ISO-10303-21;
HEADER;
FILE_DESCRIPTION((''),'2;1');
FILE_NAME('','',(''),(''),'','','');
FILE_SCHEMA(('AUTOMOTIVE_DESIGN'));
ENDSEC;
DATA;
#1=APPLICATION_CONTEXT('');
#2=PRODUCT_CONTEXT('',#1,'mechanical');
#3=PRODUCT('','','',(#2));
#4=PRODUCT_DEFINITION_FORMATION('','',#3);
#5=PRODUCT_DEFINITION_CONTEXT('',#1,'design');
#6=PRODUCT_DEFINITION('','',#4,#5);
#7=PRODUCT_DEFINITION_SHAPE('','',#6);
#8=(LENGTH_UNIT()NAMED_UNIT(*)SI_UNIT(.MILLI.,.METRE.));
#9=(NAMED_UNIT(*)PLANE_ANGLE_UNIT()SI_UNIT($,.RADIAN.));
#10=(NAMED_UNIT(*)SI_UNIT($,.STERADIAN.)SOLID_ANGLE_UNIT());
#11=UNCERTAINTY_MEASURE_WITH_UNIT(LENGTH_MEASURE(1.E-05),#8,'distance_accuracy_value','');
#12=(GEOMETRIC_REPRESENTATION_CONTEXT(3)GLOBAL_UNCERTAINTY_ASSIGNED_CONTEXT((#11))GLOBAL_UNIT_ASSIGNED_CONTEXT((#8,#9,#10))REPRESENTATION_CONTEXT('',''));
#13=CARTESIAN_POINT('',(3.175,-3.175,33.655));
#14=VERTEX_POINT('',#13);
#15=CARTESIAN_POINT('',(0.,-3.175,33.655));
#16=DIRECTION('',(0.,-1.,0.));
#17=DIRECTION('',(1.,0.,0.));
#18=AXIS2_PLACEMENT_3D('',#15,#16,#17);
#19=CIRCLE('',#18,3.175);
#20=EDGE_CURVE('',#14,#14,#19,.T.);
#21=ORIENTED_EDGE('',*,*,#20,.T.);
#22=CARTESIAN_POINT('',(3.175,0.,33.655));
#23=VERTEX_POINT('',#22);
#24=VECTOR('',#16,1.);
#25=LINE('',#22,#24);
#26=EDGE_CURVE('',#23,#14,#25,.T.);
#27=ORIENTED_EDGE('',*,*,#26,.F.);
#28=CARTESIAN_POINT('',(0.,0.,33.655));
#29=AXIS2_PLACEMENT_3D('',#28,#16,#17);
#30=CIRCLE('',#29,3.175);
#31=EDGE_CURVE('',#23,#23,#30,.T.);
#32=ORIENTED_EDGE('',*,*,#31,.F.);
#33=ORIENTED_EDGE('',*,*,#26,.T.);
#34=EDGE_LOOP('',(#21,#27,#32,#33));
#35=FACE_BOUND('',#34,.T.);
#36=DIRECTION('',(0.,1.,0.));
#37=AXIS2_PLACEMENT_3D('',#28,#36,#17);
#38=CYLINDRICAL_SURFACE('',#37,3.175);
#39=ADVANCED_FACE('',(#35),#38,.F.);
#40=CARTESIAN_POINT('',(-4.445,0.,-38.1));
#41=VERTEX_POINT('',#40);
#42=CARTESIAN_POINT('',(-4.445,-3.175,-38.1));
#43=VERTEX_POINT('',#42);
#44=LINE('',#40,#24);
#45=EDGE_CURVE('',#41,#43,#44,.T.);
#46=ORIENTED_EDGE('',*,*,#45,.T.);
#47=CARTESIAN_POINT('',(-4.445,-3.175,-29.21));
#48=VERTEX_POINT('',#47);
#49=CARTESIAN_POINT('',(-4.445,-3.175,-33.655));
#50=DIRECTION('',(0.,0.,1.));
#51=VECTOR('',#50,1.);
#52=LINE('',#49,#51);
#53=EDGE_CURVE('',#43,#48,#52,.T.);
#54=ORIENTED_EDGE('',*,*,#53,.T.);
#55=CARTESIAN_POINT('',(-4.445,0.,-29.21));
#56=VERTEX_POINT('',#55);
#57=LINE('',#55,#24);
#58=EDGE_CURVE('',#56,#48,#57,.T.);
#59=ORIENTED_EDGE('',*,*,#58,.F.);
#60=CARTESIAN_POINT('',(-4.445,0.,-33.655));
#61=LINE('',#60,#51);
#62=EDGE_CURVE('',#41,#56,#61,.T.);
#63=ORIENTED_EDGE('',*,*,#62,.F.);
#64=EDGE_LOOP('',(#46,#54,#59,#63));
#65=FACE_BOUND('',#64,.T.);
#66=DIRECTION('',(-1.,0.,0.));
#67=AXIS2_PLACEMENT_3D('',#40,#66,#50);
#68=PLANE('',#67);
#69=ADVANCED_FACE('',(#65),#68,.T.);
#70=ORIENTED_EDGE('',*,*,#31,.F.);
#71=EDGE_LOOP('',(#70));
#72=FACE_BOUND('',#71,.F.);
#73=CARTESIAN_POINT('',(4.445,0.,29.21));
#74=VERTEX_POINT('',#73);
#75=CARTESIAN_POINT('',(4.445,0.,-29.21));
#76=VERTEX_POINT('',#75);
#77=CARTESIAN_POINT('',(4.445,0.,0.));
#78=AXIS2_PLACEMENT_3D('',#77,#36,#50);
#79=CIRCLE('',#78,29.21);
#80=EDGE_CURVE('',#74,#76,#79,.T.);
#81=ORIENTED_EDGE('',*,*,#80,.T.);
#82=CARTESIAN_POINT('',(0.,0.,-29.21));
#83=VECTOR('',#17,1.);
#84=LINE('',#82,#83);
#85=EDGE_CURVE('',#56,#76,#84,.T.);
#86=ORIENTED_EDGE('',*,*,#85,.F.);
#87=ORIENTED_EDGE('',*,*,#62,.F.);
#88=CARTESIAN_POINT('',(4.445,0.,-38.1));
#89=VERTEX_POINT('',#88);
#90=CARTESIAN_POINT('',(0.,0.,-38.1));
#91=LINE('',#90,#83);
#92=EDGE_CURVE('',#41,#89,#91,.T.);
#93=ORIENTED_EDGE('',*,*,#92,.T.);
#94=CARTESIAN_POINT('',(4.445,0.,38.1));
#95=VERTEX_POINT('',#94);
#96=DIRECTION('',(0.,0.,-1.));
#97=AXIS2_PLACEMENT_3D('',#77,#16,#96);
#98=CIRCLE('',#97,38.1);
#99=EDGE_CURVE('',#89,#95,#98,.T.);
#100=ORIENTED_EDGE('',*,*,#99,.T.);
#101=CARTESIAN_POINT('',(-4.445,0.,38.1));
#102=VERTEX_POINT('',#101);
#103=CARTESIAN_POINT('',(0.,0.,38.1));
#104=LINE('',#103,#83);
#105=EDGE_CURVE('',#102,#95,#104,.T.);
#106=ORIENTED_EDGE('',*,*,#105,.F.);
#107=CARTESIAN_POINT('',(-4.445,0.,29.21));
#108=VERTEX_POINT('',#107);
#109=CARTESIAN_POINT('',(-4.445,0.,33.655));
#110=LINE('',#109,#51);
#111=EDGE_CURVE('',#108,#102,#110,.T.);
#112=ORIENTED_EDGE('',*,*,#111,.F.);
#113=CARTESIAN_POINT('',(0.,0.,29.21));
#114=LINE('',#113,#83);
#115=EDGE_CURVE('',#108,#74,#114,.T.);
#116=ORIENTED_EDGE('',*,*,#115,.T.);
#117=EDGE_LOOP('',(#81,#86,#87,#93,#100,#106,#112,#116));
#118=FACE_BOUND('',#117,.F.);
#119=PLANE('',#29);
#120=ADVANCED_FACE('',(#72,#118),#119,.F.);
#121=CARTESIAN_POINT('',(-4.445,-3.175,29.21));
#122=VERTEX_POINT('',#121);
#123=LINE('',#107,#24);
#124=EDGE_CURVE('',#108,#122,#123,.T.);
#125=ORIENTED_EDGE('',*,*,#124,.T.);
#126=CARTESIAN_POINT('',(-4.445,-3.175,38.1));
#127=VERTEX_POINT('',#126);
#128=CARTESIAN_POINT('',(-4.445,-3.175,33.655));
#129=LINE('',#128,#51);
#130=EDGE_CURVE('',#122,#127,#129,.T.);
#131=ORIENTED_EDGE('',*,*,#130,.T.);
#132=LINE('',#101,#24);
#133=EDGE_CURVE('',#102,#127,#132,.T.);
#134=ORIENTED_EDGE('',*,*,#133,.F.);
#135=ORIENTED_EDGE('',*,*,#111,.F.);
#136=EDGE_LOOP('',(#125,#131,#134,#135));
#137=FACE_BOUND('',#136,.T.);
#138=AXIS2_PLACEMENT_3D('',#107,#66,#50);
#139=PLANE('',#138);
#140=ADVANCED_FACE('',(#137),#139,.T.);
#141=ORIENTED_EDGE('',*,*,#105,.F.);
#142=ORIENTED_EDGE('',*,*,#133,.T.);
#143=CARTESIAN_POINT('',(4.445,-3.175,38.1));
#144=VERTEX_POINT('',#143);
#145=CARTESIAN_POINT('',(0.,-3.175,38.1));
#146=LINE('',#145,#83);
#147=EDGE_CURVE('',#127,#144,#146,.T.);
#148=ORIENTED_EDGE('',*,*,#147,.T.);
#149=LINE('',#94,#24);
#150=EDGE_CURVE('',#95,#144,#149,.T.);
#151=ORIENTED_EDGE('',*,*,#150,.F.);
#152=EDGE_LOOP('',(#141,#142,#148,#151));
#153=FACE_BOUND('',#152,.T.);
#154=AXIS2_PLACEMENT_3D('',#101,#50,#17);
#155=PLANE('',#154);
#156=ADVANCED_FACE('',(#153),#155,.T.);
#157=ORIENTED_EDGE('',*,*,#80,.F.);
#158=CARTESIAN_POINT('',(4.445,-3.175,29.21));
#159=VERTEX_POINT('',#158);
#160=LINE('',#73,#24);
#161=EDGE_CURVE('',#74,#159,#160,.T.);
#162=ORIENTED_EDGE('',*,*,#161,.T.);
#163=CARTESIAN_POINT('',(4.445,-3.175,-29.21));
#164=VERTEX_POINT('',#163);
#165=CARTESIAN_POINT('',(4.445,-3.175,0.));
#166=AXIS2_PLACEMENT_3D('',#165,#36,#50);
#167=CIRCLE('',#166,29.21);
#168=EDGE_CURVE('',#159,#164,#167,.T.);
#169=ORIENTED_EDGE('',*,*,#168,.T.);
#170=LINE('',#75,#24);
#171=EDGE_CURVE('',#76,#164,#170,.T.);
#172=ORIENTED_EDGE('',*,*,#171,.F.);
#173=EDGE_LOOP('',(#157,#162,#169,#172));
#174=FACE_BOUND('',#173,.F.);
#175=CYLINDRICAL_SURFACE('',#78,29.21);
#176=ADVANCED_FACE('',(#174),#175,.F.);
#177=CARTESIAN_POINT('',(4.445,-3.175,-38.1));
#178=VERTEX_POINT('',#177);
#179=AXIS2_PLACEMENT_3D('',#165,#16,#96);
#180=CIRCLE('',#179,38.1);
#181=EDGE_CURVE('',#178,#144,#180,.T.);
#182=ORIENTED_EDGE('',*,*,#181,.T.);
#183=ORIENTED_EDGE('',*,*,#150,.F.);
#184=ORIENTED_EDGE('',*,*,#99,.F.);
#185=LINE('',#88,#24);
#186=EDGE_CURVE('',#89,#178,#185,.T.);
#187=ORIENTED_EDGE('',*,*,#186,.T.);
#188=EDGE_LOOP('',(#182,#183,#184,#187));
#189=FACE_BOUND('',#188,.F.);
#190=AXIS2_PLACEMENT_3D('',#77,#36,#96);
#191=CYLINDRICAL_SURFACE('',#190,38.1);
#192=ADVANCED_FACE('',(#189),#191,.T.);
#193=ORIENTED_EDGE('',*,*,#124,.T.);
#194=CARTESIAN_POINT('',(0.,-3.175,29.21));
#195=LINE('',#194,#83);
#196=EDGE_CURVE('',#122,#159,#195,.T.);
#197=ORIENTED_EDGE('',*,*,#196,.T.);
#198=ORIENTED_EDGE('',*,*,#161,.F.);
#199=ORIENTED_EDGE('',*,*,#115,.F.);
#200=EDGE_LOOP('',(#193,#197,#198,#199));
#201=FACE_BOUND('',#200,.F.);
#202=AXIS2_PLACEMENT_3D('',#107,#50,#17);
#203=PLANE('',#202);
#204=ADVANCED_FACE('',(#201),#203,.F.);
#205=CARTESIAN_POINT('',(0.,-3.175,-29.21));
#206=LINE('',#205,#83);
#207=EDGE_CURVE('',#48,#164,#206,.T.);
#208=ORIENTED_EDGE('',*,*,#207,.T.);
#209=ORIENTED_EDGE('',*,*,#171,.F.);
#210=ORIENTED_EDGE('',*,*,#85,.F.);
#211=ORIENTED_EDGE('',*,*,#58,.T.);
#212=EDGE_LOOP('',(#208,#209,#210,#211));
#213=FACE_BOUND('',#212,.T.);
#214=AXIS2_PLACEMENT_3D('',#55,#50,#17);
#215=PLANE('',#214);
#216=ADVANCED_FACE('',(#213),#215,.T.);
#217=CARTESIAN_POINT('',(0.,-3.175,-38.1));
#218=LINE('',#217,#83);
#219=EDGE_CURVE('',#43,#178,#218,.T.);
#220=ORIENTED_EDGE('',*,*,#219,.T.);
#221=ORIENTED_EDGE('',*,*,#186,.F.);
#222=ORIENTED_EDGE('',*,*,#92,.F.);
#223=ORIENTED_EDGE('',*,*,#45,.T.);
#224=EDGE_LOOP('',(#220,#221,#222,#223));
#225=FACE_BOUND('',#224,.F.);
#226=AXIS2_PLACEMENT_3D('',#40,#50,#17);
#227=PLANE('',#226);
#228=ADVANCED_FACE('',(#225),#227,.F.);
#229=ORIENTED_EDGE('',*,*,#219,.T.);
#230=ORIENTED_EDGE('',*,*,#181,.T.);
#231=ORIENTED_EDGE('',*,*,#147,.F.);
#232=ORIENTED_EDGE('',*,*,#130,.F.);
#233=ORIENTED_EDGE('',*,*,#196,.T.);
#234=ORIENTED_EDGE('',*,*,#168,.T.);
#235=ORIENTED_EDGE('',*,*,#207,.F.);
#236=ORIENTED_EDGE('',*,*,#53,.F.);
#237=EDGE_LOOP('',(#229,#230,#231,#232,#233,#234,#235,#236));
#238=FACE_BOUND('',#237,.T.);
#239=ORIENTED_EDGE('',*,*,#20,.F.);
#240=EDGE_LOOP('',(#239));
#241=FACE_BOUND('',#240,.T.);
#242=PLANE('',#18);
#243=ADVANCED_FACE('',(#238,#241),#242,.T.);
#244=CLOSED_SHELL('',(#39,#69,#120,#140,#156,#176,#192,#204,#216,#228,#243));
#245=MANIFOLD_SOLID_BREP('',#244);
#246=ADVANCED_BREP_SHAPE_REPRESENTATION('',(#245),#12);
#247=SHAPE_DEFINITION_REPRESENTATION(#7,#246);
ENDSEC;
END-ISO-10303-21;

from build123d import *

# Parameters (mm, degrees)
F0_W     = 8.89
F0_H     = 8.89
F0_R     = 3.175
F1_DEPTH = 3.175


with BuildPart() as f1:
    # F0 (on Front) → F1 (new body)
    with BuildSketch(Plane.XZ):
        with Locations((0, 33.655)):
            Rectangle(F0_W, F0_H)
        with Locations((0, 33.655)):
            Circle(F0_R, mode=Mode.SUBTRACT)
        with Locations((0, -33.655)):
            Rectangle(F0_W, F0_H)
        with BuildLine():
            ThreePointArc((4.445, -38.1), (42.545, 0), (4.445, 38.1))
            Line((4.445, 38.1), (4.445, 29.21))
            ThreePointArc((4.445, 29.21), (33.655, 0), (4.445, -29.21))
            Line((4.445, -29.21), (4.445, -38.1))
        make_face()
    extrude(amount=F1_DEPTH)


solid = f1.part
